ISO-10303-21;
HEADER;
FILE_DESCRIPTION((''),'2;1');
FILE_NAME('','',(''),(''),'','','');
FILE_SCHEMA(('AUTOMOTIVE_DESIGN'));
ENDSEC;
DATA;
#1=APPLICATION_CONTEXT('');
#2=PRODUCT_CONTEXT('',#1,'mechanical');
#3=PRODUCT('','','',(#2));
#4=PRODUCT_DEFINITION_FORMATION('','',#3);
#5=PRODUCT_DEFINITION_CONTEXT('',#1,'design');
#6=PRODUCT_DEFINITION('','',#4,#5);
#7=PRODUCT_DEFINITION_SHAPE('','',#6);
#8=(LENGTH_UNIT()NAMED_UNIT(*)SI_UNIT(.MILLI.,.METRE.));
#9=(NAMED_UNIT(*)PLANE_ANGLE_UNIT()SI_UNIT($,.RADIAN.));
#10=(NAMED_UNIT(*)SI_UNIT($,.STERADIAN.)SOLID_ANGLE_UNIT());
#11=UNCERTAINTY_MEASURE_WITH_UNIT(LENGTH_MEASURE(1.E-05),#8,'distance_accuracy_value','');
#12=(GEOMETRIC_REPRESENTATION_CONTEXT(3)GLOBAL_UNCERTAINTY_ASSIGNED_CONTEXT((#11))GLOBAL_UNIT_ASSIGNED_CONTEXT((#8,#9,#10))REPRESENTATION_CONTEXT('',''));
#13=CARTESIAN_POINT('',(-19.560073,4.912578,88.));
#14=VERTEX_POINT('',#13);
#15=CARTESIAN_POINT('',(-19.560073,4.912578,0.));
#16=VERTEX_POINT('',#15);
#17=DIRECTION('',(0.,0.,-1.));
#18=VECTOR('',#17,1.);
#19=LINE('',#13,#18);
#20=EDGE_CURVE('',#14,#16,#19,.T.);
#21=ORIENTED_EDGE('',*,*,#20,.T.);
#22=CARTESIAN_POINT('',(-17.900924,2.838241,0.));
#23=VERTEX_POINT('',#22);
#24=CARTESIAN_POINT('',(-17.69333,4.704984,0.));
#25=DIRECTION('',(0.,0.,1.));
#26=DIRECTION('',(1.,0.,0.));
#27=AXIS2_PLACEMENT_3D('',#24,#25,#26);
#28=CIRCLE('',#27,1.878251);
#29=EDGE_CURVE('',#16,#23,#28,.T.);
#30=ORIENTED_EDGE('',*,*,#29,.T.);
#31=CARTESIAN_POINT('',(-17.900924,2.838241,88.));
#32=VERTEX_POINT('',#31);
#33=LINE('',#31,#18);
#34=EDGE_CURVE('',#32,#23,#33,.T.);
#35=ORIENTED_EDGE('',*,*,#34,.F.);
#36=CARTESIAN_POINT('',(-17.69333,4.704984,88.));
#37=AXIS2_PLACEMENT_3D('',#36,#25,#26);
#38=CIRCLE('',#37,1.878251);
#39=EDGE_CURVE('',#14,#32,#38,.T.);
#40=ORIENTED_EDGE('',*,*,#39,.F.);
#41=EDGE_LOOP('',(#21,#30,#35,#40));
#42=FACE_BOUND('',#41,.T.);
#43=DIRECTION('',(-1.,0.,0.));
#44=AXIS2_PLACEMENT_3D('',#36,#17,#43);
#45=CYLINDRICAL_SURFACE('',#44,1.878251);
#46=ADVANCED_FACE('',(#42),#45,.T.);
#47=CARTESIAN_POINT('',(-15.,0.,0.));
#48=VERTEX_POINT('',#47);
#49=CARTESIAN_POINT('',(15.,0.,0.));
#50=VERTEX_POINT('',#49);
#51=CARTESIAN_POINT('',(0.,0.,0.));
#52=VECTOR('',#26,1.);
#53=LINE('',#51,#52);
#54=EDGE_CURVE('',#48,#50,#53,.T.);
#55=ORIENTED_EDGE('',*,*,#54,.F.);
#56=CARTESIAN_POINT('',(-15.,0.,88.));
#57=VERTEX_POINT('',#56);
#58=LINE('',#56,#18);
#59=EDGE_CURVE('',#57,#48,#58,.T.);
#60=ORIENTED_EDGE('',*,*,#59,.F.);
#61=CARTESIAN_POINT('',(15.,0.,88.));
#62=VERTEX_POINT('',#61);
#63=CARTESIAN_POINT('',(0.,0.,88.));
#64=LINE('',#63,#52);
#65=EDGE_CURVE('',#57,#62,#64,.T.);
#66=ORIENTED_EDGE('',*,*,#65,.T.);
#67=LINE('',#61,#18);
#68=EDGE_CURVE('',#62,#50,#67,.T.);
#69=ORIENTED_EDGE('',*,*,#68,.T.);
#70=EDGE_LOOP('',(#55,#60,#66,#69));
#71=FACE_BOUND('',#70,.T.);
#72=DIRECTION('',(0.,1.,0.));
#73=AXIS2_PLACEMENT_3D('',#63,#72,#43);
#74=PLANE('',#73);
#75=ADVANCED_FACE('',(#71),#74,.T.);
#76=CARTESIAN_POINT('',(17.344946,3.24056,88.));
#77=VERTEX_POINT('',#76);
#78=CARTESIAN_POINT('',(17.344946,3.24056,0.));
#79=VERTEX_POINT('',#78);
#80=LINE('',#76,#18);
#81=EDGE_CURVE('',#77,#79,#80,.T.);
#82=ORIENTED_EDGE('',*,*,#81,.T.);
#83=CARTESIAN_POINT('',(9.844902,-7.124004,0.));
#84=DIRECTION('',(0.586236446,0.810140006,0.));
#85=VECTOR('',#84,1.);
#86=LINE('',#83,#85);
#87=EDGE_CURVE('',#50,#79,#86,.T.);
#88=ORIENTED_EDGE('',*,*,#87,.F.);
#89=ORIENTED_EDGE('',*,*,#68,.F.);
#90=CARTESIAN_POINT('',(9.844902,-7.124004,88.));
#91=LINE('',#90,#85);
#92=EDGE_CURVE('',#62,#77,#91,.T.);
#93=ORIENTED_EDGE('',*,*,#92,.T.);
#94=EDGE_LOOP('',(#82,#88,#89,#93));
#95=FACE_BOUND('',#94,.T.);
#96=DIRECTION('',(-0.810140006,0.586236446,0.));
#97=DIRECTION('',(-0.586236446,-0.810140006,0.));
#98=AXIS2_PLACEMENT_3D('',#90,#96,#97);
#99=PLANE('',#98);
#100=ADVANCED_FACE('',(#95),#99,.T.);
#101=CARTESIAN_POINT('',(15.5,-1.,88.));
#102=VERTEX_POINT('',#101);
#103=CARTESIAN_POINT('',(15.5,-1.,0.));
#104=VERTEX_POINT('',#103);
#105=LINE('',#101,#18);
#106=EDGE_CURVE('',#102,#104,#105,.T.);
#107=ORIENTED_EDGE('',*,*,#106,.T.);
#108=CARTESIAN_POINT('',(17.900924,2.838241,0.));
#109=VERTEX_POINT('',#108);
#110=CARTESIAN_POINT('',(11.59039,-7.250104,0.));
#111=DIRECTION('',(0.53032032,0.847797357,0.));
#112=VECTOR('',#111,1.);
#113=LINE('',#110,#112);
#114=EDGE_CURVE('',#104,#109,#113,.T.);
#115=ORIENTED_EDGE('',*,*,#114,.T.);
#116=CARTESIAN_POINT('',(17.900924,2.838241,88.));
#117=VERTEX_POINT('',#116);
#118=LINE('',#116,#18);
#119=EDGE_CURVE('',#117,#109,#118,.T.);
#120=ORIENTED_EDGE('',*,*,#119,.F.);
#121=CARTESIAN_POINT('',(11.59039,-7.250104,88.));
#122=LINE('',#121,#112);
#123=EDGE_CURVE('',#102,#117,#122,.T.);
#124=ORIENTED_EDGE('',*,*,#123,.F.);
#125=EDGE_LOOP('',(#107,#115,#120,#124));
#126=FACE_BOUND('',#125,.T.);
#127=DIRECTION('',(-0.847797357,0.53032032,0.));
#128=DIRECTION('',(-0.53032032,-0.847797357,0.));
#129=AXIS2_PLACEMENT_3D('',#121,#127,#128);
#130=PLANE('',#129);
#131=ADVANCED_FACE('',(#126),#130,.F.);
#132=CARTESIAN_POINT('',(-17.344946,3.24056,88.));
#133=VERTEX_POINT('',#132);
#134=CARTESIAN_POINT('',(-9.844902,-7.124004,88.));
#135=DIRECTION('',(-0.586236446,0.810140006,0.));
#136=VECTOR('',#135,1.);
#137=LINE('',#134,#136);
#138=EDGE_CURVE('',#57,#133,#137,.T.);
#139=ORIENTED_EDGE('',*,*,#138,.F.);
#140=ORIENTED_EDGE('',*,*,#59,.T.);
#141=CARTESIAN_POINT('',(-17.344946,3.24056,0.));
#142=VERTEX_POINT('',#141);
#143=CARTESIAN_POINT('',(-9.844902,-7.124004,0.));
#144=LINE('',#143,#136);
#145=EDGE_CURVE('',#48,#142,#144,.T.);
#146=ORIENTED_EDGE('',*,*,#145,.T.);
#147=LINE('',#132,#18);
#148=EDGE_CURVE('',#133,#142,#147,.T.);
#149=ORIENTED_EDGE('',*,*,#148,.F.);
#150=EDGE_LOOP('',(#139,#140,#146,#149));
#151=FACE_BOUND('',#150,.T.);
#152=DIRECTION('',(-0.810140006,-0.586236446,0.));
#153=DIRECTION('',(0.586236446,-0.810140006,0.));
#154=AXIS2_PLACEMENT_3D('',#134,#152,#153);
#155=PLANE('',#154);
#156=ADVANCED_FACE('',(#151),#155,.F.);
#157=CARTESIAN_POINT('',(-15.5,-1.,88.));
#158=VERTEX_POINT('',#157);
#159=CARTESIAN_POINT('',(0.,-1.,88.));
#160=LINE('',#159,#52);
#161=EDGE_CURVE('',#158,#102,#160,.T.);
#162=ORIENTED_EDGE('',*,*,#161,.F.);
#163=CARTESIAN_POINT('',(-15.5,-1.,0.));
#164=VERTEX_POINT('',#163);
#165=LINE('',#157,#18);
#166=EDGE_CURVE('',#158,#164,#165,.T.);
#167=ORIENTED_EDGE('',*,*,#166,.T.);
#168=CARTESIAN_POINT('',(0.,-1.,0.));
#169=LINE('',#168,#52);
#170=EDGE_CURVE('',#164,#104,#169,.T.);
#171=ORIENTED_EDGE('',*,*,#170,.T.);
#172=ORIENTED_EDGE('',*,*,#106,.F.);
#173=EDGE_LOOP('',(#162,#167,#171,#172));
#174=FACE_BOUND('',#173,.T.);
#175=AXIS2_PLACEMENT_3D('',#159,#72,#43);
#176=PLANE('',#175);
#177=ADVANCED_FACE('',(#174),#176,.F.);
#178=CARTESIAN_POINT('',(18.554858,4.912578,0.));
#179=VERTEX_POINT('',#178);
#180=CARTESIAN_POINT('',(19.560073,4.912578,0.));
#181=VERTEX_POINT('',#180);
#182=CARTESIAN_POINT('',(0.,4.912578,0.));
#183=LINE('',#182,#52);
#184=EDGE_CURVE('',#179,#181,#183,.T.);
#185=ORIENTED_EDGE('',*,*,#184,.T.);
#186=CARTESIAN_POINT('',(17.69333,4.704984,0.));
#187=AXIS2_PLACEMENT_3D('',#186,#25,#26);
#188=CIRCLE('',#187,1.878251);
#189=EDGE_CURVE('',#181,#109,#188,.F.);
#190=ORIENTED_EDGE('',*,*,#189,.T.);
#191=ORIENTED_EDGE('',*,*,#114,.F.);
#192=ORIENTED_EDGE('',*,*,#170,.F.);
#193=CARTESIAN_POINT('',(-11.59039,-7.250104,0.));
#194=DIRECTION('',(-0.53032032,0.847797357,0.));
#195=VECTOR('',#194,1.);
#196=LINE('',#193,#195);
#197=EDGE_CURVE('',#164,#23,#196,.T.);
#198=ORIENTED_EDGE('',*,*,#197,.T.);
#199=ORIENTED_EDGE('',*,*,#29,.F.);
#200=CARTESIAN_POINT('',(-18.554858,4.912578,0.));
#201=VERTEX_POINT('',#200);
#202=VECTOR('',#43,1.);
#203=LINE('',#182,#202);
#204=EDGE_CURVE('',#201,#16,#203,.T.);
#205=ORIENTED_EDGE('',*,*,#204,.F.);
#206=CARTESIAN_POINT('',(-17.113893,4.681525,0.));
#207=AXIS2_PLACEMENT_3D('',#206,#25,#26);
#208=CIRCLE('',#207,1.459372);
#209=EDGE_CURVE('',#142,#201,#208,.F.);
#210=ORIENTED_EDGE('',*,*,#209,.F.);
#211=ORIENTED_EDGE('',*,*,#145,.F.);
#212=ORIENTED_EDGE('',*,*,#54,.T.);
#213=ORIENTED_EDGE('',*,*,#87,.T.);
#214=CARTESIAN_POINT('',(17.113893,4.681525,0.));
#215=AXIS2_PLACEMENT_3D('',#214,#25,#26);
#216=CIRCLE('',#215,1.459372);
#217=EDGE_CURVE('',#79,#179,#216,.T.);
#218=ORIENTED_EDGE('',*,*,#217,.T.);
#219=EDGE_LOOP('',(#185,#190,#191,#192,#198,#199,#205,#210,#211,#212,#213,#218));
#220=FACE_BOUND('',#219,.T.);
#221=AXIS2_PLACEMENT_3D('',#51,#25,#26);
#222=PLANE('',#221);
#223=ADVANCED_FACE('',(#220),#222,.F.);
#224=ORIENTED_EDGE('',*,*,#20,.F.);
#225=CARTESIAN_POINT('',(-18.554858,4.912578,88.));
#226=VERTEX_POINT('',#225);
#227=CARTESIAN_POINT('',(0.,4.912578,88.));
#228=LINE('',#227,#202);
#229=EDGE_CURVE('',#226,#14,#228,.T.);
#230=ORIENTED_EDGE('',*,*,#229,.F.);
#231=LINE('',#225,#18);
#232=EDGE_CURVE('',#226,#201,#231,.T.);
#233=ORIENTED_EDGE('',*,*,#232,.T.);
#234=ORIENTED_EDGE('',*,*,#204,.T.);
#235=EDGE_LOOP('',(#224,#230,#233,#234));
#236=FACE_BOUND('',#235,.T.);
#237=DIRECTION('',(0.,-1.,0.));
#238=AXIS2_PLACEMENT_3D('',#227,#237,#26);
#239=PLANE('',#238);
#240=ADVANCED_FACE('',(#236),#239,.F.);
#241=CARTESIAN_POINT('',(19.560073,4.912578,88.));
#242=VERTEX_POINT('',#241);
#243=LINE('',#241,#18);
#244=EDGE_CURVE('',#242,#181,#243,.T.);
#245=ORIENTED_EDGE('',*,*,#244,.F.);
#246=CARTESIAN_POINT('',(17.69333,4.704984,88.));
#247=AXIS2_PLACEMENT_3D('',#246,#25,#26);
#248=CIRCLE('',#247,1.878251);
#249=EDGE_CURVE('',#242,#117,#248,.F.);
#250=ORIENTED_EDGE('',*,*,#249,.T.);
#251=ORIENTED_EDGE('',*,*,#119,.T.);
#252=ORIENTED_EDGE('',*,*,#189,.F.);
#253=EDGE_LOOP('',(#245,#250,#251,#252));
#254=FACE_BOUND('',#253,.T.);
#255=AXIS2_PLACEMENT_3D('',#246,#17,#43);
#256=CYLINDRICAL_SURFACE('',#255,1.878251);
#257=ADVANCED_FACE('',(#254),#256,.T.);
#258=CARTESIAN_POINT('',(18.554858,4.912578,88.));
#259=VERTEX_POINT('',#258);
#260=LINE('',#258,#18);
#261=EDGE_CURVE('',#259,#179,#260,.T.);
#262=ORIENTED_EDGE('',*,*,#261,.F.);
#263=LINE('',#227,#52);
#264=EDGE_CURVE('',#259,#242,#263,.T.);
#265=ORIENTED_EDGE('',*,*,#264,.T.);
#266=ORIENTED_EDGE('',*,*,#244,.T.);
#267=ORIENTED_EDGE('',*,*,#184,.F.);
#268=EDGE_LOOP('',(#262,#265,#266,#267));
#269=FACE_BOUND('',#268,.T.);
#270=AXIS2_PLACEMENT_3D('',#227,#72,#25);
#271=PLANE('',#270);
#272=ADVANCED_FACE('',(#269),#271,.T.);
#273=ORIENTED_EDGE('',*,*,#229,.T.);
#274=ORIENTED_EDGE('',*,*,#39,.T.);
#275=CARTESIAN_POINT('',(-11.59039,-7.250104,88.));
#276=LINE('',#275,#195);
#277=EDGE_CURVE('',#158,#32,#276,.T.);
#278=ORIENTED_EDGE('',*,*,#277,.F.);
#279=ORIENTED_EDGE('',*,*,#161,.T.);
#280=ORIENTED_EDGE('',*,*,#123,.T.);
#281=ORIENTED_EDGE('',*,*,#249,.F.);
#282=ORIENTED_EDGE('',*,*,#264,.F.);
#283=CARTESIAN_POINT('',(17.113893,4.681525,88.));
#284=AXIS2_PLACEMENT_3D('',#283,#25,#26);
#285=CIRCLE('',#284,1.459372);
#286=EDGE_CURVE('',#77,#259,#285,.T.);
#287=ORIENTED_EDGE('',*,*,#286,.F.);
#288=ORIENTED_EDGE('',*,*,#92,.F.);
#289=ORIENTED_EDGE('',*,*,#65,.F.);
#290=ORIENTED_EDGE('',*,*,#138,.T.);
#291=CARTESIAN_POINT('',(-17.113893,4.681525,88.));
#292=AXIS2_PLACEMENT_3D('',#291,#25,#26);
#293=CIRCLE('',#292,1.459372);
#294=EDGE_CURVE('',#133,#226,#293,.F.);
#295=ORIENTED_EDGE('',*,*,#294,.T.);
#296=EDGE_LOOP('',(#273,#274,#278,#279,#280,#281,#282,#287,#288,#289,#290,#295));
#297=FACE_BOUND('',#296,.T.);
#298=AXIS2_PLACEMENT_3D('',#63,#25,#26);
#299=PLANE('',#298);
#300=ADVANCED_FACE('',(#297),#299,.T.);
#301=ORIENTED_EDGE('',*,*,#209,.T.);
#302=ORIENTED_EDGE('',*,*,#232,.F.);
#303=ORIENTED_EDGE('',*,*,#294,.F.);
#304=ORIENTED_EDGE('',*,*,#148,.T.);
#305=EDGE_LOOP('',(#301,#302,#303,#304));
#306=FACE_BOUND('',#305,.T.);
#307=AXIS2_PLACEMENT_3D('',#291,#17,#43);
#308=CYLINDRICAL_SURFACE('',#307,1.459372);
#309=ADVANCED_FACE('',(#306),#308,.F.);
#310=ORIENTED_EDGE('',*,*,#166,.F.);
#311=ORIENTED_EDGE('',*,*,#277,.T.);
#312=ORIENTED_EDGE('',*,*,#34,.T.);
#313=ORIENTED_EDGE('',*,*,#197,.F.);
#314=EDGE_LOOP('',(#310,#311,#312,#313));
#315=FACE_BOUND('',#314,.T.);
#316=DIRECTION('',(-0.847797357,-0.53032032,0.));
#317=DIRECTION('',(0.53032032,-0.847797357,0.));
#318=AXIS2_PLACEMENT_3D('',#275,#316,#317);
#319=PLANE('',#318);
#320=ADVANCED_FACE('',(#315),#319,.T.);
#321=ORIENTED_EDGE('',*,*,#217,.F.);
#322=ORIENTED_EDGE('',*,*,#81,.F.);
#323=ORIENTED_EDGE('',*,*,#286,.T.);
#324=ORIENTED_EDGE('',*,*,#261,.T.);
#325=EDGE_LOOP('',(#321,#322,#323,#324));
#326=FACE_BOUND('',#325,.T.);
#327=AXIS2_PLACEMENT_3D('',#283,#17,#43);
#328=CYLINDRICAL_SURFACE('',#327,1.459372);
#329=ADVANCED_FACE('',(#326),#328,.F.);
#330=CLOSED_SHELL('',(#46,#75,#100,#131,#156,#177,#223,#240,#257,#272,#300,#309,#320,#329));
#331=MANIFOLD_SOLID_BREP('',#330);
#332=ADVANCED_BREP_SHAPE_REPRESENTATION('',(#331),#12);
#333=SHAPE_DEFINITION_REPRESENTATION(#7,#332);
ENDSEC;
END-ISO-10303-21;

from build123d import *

# Parameters (mm, degrees)
BOSS_EXTRU_1_DEPTH = 88


with BuildPart() as part:
    # Esquisse1 → Boss.-Extru.1 (new body)
    with BuildSketch(Plane.XY):
        with BuildLine():
            Line((-15, 0), (15, 0))
            Line((15, 0), (17.344945782, 3.240560025))
            ThreePointArc((17.344945782, 3.240560025), (18.296188165, 3.825988261), (18.554857829, 4.912578476))
            Line((18.554857829, 4.912578476), (19.560072663, 4.912578476))
            ThreePointArc((19.560072663, 4.912578476), (19.160107786, 3.5317888), (17.900924166, 2.838240933))
            Line((17.900924166, 2.838240933), (15.5, -1))
            Line((15.5, -1), (-15.5, -1))
            Line((-15.5, -1), (-17.900924166, 2.838240933))
            ThreePointArc((-17.900924166, 2.838240933), (-19.160107786, 3.5317888), (-19.560072663, 4.912578476))
            Line((-19.560072663, 4.912578476), (-18.554857829, 4.912578476))
            ThreePointArc((-18.554857829, 4.912578476), (-18.296188165, 3.825988261), (-17.344945782, 3.240560025))
            Line((-17.344945782, 3.240560025), (-15, 0))
        make_face()
    extrude(amount=BOSS_EXTRU_1_DEPTH)


solid = part.part
